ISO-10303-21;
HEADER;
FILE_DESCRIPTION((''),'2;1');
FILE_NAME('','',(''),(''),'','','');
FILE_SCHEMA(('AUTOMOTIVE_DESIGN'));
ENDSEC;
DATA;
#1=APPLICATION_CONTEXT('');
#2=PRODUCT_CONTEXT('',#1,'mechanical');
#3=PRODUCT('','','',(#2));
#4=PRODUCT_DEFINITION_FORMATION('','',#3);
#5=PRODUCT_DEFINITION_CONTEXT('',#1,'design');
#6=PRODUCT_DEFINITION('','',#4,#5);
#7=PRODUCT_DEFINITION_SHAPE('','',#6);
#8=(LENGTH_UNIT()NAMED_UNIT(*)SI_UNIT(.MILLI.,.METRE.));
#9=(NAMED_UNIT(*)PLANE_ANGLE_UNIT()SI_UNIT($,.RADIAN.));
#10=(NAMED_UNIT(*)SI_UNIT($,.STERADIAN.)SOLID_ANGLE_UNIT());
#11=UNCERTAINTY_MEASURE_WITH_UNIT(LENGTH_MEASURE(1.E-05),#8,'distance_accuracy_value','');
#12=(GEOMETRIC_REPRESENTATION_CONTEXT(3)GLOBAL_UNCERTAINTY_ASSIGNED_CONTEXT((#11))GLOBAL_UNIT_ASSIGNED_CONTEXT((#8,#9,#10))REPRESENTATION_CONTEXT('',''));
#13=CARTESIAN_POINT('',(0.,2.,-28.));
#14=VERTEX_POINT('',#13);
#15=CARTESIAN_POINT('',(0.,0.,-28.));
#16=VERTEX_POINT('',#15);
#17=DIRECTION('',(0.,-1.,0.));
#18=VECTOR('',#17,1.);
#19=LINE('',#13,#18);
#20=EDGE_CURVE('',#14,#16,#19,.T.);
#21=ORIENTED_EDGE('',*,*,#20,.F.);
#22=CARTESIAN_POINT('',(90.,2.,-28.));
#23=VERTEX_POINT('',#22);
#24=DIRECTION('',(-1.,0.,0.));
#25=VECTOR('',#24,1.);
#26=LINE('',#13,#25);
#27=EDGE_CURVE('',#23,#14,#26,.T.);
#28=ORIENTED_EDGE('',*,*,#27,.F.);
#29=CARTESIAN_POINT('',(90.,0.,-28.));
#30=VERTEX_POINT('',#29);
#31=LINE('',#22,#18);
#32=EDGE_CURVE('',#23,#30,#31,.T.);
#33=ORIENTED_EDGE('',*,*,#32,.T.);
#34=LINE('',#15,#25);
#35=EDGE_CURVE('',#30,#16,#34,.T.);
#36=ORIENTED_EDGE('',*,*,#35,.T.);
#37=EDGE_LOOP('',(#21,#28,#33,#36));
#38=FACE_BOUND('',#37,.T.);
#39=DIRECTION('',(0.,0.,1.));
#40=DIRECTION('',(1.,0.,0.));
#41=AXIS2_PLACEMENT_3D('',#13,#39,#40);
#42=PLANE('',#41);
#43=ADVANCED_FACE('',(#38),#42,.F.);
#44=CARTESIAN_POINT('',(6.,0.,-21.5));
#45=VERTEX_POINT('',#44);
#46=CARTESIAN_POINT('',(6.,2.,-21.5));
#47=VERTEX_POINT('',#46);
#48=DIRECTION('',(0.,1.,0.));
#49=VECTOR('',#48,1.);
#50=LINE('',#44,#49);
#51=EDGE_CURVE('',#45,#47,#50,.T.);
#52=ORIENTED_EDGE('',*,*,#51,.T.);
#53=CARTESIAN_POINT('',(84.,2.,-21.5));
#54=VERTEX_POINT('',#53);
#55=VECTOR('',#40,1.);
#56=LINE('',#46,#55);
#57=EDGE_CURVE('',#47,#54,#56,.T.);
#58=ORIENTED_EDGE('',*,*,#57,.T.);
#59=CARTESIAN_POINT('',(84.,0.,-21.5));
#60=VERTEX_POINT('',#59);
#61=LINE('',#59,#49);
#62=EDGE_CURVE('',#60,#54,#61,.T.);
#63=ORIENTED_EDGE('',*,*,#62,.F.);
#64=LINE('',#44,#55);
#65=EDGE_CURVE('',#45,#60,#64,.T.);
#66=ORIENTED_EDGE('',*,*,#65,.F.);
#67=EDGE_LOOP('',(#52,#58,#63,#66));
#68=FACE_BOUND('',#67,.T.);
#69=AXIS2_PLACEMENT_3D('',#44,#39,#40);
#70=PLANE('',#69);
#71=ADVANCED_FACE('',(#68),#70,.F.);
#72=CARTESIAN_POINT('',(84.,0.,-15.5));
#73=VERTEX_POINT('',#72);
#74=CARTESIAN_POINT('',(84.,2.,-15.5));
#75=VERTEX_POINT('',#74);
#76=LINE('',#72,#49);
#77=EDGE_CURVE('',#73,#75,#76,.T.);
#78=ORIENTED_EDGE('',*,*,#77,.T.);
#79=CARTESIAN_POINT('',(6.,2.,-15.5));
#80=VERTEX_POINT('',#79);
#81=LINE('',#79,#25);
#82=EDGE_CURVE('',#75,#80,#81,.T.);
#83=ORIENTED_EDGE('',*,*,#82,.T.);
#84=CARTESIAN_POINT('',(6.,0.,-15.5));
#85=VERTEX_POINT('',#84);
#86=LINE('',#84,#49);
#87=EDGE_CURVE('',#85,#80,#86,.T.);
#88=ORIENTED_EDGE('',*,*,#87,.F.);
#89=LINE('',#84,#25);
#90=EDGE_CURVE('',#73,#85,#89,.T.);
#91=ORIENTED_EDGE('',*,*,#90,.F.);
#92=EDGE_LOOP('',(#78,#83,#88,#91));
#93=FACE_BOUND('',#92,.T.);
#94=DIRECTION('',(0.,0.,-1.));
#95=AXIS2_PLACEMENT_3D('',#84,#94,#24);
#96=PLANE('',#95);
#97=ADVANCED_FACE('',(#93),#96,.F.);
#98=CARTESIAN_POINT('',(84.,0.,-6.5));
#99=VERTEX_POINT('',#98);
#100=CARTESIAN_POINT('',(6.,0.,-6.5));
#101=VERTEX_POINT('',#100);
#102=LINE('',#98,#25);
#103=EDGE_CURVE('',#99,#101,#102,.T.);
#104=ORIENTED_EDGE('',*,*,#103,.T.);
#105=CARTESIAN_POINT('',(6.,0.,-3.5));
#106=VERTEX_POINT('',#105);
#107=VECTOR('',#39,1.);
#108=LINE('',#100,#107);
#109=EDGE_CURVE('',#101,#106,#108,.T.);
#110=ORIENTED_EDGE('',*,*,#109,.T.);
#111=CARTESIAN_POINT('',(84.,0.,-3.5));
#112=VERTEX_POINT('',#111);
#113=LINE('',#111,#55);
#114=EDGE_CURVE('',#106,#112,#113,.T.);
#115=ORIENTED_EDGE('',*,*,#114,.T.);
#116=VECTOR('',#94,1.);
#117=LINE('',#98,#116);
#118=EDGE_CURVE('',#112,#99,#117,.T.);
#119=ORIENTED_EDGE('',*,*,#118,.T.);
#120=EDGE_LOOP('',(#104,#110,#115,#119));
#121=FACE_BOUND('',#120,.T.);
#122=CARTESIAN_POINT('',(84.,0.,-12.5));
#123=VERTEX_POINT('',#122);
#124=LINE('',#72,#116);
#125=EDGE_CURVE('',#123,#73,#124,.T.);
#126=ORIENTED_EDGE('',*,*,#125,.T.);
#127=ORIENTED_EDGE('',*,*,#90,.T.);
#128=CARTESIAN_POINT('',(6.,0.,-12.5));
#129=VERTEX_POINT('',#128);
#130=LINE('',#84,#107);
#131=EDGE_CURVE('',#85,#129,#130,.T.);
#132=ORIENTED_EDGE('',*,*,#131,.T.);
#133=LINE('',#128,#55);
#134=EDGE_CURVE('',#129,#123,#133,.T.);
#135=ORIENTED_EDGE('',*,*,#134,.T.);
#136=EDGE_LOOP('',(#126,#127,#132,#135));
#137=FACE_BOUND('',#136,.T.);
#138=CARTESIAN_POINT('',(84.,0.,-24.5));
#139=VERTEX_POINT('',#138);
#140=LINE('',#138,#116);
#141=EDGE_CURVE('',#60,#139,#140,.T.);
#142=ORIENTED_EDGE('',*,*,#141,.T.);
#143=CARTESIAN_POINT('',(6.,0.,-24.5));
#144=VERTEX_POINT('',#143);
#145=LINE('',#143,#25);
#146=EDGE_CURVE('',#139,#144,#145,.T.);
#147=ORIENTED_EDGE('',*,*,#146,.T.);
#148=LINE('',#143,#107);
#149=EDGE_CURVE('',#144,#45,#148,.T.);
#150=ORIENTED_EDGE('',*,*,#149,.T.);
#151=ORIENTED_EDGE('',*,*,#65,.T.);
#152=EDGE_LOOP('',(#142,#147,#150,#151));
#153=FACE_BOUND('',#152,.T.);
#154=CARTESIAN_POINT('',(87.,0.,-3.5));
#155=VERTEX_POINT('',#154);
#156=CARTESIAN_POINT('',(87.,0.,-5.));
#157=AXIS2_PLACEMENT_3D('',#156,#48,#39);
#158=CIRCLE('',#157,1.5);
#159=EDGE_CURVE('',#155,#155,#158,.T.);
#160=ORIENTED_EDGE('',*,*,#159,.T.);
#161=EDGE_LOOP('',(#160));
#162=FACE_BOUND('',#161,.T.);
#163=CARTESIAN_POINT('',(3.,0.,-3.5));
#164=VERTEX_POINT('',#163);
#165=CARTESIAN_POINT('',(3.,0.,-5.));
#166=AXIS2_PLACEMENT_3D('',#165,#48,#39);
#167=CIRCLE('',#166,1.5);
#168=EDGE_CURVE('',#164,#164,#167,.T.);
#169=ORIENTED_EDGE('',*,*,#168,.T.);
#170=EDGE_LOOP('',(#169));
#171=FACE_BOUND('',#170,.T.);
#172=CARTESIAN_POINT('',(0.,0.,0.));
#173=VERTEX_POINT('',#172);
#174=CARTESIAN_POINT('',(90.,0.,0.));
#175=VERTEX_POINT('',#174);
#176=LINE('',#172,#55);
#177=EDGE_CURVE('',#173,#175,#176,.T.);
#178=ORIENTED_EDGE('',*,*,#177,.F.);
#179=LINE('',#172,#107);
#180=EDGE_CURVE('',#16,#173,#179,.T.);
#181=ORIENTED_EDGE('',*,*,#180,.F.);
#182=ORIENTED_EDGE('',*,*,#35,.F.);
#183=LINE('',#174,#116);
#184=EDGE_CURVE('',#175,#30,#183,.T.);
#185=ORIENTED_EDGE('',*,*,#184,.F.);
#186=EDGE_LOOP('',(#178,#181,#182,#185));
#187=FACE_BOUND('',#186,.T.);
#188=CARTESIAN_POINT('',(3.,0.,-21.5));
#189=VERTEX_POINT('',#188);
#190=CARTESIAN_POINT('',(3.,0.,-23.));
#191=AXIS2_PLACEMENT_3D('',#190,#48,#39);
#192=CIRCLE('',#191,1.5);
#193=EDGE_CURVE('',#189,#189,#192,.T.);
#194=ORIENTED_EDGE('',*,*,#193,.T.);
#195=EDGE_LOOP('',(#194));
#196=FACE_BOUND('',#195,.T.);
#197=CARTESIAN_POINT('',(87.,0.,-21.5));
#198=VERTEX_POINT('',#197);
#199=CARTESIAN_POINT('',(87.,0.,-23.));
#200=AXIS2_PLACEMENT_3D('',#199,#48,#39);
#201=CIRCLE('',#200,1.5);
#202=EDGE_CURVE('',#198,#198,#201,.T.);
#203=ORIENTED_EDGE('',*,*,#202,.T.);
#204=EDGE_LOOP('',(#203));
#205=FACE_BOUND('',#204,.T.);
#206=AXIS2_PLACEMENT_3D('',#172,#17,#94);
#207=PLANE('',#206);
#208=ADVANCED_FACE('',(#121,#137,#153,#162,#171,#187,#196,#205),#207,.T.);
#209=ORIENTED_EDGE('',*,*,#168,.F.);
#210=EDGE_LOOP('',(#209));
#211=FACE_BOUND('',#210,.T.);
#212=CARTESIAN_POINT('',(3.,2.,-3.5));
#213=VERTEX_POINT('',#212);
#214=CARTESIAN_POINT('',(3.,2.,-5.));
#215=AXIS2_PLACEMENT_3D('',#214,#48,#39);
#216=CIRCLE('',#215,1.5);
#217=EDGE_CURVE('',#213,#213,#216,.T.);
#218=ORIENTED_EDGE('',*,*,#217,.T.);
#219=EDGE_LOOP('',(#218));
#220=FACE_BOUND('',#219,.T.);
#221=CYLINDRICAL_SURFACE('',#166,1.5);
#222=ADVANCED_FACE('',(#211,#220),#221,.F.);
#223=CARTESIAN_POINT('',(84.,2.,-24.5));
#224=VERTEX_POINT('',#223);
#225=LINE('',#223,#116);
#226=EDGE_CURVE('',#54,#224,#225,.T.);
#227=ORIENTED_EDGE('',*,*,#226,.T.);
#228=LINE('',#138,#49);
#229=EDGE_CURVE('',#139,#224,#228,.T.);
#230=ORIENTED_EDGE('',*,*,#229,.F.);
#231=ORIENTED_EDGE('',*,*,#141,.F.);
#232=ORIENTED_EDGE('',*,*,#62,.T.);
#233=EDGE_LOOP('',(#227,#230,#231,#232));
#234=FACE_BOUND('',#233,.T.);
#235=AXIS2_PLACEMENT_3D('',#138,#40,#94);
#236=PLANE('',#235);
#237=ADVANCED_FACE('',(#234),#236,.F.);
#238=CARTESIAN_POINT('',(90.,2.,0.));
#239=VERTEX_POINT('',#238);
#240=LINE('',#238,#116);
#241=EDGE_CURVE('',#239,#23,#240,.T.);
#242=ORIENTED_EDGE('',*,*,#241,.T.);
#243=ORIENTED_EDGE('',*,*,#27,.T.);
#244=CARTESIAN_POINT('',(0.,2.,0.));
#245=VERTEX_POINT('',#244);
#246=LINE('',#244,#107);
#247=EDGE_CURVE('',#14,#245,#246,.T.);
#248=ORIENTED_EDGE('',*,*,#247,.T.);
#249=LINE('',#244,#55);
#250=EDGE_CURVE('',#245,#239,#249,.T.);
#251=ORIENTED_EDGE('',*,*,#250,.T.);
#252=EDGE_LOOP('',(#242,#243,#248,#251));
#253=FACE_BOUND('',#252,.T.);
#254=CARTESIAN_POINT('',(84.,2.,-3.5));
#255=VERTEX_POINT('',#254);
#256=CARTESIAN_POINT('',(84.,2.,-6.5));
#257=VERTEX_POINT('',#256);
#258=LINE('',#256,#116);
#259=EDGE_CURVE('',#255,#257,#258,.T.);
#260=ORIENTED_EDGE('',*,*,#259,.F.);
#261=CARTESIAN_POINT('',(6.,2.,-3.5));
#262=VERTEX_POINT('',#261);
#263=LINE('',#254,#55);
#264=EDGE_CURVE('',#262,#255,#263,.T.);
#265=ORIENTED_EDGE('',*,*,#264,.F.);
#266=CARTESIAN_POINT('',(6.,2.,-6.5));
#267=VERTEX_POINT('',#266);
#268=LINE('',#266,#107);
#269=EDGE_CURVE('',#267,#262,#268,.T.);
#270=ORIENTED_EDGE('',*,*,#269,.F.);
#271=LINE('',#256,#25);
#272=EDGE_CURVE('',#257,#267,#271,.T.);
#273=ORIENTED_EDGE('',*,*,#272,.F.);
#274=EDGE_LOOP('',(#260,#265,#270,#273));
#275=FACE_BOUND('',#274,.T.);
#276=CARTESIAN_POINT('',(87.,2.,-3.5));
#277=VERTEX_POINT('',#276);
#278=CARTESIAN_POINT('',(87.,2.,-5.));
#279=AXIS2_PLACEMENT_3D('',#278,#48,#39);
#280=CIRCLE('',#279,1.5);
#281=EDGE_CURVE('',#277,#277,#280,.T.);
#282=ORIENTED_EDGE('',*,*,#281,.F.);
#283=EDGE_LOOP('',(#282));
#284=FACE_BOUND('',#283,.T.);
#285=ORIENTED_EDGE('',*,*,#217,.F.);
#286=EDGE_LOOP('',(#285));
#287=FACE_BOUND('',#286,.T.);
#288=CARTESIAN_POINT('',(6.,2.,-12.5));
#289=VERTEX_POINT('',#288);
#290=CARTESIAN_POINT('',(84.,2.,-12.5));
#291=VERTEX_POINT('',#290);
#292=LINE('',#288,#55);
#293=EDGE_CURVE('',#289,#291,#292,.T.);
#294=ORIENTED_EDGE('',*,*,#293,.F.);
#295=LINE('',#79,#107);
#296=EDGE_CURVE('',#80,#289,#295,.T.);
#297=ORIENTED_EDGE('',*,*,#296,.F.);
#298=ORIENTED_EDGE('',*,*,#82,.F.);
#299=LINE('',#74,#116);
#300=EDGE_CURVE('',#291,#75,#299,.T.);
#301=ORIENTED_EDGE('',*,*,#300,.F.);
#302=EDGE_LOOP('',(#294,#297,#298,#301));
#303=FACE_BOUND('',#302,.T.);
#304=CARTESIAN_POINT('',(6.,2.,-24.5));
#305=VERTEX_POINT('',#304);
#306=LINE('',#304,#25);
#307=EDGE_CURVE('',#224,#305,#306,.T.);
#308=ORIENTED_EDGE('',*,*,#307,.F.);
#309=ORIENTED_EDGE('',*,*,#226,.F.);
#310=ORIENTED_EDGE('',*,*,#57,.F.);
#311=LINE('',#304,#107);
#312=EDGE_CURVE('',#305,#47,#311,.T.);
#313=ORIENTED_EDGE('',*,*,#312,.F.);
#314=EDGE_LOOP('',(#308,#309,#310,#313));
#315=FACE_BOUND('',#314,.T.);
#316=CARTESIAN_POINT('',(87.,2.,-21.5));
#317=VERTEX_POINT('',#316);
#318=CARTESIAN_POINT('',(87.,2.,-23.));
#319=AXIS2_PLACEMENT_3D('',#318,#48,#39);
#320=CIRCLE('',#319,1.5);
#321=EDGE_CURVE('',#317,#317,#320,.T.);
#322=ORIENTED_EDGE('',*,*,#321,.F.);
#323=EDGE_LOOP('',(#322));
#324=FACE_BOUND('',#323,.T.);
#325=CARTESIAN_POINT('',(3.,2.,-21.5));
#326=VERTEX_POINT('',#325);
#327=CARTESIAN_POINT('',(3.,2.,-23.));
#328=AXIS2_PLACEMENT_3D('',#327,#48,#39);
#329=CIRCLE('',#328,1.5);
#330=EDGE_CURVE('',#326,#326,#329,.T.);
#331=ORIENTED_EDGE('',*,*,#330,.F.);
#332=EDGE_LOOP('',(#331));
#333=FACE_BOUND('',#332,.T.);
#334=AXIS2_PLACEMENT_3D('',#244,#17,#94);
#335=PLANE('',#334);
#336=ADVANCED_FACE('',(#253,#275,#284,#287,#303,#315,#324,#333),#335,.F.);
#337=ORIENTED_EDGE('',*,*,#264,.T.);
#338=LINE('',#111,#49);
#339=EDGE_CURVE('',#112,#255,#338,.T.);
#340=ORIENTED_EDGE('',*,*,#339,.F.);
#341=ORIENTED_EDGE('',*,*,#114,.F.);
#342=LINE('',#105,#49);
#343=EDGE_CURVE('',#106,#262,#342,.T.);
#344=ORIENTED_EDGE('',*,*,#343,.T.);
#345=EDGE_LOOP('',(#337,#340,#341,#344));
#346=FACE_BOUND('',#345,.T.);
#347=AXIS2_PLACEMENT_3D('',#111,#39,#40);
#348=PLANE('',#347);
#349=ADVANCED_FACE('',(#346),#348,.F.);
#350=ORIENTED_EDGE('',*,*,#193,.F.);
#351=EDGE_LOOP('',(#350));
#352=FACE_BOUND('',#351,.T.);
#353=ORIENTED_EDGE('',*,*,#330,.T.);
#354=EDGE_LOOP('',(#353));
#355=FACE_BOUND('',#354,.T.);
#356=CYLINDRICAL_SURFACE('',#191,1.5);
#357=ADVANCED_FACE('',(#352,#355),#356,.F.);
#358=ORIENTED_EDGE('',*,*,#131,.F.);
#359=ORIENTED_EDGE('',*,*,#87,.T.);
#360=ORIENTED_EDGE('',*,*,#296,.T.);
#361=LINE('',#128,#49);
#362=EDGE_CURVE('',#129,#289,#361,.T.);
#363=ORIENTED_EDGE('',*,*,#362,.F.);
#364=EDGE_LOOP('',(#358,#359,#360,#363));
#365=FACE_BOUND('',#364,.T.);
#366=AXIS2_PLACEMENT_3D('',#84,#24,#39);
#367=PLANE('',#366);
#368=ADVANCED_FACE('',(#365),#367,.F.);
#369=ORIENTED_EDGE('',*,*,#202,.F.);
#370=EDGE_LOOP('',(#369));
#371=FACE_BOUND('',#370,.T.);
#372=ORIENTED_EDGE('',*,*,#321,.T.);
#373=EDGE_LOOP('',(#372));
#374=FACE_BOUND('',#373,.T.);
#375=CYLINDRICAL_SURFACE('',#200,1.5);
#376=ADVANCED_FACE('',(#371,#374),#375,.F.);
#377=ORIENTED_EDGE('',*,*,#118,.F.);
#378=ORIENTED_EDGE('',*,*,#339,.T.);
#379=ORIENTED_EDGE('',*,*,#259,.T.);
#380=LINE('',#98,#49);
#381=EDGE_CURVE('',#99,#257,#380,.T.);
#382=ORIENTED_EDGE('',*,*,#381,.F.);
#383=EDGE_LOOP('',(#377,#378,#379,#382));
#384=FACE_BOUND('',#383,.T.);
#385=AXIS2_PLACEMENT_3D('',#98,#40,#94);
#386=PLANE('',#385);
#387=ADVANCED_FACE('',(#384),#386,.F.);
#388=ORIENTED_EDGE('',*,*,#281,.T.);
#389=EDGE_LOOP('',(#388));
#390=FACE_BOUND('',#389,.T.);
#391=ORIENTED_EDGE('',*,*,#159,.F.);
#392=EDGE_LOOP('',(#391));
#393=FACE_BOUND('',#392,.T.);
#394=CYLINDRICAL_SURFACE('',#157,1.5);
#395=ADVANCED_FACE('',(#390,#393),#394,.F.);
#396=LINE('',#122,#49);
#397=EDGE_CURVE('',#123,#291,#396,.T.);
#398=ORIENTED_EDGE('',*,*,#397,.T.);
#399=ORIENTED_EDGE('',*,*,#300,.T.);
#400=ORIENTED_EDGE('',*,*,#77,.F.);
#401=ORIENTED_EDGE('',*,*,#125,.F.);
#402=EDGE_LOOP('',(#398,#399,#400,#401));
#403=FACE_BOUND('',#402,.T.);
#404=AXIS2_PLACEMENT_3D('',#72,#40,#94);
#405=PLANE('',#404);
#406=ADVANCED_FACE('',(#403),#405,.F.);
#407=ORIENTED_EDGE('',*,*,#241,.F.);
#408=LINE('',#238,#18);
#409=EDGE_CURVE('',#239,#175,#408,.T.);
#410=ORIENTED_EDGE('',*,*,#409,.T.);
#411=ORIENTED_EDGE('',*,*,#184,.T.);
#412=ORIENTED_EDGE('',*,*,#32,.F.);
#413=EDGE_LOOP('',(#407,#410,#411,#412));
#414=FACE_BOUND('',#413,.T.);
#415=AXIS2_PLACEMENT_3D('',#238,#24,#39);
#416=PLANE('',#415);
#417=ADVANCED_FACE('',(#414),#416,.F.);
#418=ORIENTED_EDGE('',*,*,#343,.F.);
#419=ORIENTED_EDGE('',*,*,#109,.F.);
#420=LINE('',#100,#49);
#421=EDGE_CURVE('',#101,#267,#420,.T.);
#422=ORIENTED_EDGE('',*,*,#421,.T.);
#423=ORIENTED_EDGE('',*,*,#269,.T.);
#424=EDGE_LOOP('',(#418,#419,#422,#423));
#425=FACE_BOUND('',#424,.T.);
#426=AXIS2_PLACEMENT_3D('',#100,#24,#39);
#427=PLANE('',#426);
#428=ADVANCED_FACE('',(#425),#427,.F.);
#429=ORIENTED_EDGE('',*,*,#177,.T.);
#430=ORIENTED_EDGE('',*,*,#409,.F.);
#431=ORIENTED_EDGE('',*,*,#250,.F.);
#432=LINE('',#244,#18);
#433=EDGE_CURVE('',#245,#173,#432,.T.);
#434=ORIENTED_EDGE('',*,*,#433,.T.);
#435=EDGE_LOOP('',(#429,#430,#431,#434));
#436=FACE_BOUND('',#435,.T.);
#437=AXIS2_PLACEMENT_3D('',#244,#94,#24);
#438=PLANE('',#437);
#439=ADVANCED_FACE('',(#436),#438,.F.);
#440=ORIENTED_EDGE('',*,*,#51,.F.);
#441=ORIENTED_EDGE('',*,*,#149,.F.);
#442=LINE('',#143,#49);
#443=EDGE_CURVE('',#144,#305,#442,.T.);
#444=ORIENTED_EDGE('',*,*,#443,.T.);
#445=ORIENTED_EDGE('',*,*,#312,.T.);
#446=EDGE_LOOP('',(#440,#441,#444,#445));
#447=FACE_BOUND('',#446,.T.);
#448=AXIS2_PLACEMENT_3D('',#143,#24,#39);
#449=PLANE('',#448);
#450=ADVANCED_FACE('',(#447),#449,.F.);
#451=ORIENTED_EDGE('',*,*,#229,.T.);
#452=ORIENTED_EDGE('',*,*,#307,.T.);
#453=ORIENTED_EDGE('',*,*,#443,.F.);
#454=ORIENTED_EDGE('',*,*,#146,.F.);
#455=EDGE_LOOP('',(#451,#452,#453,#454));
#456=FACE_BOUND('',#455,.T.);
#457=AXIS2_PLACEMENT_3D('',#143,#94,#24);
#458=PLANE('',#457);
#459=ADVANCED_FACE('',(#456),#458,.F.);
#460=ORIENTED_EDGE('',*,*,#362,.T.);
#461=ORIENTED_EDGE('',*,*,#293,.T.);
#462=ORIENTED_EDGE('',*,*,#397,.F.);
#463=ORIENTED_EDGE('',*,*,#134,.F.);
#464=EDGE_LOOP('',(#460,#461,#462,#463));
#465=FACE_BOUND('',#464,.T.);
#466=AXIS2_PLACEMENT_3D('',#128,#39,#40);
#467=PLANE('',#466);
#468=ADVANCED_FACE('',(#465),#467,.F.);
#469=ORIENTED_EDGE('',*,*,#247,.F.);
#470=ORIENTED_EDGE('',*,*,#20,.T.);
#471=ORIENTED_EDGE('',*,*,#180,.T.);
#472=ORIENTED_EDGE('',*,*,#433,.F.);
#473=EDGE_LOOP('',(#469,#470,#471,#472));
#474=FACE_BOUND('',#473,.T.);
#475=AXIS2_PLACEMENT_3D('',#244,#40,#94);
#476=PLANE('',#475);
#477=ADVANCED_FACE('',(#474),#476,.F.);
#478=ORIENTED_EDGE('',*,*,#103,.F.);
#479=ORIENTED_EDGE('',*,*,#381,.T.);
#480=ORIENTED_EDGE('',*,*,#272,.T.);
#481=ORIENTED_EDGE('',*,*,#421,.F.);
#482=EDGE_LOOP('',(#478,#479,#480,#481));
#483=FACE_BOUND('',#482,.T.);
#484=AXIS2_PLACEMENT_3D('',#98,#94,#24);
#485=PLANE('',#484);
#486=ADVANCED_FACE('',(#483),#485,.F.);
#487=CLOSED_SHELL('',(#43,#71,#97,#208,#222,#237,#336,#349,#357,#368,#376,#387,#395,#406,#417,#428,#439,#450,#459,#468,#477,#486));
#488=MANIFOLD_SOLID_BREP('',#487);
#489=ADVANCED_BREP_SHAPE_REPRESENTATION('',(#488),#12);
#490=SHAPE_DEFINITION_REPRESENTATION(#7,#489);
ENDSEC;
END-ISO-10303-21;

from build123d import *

# Parameters (mm, degrees)
SKETCH1_W           = 90
SKETCH1_H           = 28
BOSS_EXTRUDE1_DEPTH = 2
SKETCH2_R           = 1.5
SKETCH2_W           = 78
SKETCH2_H           = 3
CUT_EXTRUDE1_DEPTH  = 95.276189995


with BuildPart() as part:
    # Sketch1 → Boss-Extrude1 (new body)
    with BuildSketch(Plane(origin=(0, 0, 0), x_dir=(1, 0, 0), z_dir=(0, 1, 0))):
        with Locations((45, 14)):
            Rectangle(SKETCH1_W, SKETCH1_H)
    extrude(amount=BOSS_EXTRUDE1_DEPTH)

    # Sketch2 → Cut-Extrude1 (cut, through all)
    with BuildSketch(Plane(origin=(0, 2, 0), x_dir=(1, 0, 0), z_dir=(0, 1, 0))):
        with Locations(Location((3, 23, 0), (0, 0, 270))):
            Circle(SKETCH2_R)
        with Locations(Location((3, 5, 0), (0, 0, 270))):
            Circle(SKETCH2_R)
        with Locations(Location((87, 23, 0), (0, 0, 270))):
            Circle(SKETCH2_R)
        with Locations(Location((87, 5, 0), (0, 0, 270))):
            Circle(SKETCH2_R)
        with Locations((45, 14)):
            Rectangle(SKETCH2_W, SKETCH2_H)
        with Locations((45, 5)):
            Rectangle(SKETCH2_W, SKETCH2_H)
        with Locations((45, 23)):
            Rectangle(SKETCH2_W, SKETCH2_H)
    extrude(amount=-CUT_EXTRUDE1_DEPTH, mode=Mode.SUBTRACT)


solid = part.part
